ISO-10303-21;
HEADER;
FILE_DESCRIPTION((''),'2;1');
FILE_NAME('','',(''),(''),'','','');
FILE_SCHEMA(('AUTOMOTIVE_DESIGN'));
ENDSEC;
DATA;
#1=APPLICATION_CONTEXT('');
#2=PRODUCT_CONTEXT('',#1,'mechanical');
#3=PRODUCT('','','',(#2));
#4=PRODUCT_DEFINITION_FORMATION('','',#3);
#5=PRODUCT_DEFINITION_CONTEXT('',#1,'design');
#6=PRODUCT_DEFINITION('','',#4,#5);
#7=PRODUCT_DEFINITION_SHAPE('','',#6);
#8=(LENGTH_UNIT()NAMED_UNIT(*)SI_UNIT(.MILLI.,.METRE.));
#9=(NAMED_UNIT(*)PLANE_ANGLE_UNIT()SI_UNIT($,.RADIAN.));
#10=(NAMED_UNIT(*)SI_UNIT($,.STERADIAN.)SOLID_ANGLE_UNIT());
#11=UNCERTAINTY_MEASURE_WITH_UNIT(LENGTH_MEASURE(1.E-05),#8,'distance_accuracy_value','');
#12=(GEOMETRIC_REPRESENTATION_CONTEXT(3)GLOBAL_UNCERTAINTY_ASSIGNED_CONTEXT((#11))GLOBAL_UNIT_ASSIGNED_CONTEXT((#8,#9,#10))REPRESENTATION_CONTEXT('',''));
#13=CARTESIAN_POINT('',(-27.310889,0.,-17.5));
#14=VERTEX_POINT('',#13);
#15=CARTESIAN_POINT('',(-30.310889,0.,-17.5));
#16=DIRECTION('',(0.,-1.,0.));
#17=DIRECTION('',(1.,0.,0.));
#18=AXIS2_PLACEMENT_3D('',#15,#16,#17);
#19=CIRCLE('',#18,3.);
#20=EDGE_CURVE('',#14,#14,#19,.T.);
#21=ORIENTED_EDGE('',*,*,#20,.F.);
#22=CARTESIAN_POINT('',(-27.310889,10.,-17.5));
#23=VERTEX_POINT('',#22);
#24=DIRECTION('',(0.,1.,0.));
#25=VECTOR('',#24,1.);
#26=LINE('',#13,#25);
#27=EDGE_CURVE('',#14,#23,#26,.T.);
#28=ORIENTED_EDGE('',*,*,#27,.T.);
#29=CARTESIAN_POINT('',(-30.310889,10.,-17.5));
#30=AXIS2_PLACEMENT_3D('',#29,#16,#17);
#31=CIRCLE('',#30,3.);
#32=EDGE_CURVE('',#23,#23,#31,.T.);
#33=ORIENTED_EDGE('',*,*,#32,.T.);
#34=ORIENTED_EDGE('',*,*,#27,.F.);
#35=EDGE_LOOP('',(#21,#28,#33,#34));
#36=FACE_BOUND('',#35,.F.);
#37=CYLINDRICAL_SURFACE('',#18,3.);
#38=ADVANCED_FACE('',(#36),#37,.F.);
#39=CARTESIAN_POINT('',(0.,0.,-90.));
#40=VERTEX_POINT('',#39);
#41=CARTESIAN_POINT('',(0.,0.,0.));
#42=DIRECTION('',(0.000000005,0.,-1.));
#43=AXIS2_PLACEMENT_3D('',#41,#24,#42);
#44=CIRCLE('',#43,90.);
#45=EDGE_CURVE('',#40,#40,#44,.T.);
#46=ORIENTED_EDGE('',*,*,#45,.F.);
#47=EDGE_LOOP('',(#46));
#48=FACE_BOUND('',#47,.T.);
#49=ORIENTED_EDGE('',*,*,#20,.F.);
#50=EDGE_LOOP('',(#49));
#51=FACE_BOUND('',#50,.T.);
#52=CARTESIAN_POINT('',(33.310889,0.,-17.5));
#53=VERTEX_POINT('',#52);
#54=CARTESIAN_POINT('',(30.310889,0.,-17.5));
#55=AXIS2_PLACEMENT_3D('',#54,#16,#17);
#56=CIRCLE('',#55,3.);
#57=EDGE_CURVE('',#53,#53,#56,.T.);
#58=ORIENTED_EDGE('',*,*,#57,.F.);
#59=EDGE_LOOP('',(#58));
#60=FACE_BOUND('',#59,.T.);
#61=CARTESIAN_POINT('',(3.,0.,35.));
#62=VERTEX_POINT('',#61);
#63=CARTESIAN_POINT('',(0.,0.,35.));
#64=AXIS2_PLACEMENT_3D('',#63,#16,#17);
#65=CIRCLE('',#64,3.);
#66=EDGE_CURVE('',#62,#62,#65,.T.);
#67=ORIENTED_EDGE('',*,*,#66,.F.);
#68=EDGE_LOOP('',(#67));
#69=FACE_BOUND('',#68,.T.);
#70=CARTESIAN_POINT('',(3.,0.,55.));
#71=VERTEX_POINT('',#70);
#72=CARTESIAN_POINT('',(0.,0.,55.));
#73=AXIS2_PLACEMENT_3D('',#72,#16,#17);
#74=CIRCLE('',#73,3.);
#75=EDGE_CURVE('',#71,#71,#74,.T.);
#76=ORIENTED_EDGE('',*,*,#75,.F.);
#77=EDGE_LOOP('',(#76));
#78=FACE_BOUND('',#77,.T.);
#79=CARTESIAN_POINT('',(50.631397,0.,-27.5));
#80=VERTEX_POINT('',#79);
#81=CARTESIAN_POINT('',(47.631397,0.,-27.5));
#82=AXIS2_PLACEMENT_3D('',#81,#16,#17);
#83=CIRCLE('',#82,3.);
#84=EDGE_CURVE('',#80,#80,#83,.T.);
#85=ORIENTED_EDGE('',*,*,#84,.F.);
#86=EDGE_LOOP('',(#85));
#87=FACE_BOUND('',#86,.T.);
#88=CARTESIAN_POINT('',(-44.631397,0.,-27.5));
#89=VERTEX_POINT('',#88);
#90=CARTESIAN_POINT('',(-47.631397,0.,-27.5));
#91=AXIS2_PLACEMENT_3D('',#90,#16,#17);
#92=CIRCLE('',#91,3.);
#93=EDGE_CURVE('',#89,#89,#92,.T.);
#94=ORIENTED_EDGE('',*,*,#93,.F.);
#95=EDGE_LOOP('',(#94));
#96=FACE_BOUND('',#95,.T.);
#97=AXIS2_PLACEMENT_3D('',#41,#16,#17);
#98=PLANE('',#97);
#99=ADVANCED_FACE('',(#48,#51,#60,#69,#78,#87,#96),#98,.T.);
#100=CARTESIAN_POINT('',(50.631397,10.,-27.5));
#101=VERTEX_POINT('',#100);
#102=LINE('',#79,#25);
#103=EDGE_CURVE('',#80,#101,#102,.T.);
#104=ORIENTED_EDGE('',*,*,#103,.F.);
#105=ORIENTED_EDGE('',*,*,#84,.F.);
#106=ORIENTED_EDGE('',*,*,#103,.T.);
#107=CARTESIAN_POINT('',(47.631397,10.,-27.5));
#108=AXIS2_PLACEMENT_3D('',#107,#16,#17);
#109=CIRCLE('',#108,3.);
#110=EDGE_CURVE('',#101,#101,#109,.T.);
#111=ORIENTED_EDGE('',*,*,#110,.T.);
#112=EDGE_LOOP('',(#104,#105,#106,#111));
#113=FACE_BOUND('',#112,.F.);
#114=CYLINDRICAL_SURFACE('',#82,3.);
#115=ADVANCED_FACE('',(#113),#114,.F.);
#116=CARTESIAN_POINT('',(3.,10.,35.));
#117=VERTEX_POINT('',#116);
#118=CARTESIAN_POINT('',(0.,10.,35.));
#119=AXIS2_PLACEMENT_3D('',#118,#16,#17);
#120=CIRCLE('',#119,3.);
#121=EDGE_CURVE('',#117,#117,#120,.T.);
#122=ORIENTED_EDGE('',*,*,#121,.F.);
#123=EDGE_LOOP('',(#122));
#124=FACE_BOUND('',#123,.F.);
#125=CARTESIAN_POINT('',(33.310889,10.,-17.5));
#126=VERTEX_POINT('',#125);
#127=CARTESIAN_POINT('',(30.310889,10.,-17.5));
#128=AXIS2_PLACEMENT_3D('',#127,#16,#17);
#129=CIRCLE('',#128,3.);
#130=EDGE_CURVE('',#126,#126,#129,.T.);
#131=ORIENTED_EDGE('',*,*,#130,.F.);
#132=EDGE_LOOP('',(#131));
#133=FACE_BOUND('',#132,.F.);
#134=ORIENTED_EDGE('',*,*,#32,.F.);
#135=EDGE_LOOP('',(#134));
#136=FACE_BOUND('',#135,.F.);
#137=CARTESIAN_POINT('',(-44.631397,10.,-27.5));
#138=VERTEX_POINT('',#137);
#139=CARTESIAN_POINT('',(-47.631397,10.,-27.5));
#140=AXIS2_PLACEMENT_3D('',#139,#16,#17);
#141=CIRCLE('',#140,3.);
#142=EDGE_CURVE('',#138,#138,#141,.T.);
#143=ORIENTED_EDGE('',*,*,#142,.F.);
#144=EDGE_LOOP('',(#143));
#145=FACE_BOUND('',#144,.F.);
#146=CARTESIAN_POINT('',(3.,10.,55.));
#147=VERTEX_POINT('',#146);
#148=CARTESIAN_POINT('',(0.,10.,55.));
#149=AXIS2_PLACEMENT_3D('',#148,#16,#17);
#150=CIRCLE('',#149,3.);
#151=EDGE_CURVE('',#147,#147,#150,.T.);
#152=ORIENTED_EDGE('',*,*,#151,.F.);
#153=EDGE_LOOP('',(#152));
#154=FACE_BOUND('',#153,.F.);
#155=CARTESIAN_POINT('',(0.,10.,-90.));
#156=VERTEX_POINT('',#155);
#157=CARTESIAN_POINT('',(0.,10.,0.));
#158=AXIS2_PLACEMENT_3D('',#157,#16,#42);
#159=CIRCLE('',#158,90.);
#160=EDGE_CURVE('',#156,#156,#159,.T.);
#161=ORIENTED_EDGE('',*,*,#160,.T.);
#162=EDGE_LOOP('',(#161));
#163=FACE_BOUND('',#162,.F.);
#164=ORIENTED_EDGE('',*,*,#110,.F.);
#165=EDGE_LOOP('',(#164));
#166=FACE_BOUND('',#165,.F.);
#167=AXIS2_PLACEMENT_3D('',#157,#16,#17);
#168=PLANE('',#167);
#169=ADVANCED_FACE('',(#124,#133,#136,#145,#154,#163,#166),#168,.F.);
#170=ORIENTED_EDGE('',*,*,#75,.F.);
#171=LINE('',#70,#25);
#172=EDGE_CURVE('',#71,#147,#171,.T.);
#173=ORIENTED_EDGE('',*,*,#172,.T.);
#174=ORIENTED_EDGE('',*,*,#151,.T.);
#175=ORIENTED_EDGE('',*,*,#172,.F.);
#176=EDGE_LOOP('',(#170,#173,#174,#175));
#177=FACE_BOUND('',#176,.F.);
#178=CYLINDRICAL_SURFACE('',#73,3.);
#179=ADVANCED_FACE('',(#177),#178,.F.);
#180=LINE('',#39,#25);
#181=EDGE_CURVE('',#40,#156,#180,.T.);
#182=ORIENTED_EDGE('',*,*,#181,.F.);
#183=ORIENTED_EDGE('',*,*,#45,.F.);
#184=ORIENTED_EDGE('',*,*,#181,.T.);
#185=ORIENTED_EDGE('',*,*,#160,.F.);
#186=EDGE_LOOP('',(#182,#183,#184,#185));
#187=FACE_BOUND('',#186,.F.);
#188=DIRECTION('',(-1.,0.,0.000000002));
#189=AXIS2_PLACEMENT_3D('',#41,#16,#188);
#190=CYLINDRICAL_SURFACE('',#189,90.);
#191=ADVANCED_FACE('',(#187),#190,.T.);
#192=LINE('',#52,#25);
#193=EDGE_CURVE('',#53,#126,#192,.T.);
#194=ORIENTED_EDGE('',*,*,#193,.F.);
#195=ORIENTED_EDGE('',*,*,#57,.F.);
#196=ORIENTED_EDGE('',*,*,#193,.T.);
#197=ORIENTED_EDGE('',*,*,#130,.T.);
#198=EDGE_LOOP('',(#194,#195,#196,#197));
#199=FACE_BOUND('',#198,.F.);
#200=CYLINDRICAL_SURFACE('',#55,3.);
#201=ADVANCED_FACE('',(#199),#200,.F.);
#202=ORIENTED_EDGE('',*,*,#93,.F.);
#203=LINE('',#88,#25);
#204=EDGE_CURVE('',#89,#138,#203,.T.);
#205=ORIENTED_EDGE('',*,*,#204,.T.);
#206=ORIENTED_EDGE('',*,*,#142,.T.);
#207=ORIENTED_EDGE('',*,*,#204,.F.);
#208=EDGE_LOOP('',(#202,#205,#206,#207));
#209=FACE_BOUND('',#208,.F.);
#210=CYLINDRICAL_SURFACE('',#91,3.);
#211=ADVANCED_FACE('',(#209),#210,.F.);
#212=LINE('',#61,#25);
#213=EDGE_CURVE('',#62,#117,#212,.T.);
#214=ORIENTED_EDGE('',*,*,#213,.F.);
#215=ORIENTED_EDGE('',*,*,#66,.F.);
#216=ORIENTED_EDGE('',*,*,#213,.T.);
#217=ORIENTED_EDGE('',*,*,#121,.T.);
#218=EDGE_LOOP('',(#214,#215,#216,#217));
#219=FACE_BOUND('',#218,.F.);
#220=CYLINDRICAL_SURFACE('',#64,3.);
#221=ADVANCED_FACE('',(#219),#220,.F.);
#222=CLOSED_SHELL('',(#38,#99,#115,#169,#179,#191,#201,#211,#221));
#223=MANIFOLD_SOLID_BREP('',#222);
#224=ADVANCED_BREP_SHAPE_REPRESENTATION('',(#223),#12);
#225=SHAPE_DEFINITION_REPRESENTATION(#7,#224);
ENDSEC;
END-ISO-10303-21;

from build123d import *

# Parameters (mm, degrees)
F0_W     = 180
F0_H     = 180
F1_DEPTH = 10
F2_R     = 3
F3_DEPTH = 10.001
F5_DEPTH = 10.001


with BuildPart() as f1:
    # F0 (on Front) → F1 (new body)
    with BuildSketch(Plane.XZ):
        Rectangle(F0_W, F0_H)
    extrude(amount=-F1_DEPTH)

    # F2 (on face) → F3 (cut, through all)
    with BuildSketch(Plane.XZ):
        with Locations((0, 55)):
            Circle(F2_R)
        with Locations((0, 35)):
            Circle(F2_R)
        with Locations((-30.3108891325, -17.5)):
            Circle(F2_R)
        with Locations((-47.6313972081, -27.5)):
            Circle(F2_R)
        with Locations((30.3108891325, -17.5)):
            Circle(F2_R)
        with Locations((47.6313972081, -27.5)):
            Circle(F2_R)
    extrude(amount=-F3_DEPTH, mode=Mode.SUBTRACT)

    # F4 (on face) → F5 (cut, through all)
    with BuildSketch(Plane.XZ):
        with BuildLine():
            ThreePointArc((-90, 2.079e-07), (-63.6396103357, 63.6396102779), (-2.896e-07, 90))
            Line((-2.896e-07, 90), (-90, 90))
            Line((-90, 90), (-90, 2.079e-07))
        make_face()
        with BuildLine():
            ThreePointArc((-2.896e-07, 90), (63.6396102044, 63.6396104092), (90, 0))
            Line((90, 0), (90, 90))
            Line((90, 90), (-2.896e-07, 90))
        make_face()
        with BuildLine():
            Line((90, -90), (90, 0))
            ThreePointArc((90, 0), (63.6396104617, -63.6396101519), (4.381e-07, -90))
            Line((4.381e-07, -90), (90, -90))
        make_face()
        with BuildLine():
            Line((-90, -90), (4.381e-07, -90))
            ThreePointArc((4.381e-07, -90), (-63.6396102254, -63.6396103882), (-90, 2.079e-07))
            Line((-90, 2.079e-07), (-90, -90))
        make_face()
    extrude(amount=-F5_DEPTH, mode=Mode.SUBTRACT)


solid = f1.part
